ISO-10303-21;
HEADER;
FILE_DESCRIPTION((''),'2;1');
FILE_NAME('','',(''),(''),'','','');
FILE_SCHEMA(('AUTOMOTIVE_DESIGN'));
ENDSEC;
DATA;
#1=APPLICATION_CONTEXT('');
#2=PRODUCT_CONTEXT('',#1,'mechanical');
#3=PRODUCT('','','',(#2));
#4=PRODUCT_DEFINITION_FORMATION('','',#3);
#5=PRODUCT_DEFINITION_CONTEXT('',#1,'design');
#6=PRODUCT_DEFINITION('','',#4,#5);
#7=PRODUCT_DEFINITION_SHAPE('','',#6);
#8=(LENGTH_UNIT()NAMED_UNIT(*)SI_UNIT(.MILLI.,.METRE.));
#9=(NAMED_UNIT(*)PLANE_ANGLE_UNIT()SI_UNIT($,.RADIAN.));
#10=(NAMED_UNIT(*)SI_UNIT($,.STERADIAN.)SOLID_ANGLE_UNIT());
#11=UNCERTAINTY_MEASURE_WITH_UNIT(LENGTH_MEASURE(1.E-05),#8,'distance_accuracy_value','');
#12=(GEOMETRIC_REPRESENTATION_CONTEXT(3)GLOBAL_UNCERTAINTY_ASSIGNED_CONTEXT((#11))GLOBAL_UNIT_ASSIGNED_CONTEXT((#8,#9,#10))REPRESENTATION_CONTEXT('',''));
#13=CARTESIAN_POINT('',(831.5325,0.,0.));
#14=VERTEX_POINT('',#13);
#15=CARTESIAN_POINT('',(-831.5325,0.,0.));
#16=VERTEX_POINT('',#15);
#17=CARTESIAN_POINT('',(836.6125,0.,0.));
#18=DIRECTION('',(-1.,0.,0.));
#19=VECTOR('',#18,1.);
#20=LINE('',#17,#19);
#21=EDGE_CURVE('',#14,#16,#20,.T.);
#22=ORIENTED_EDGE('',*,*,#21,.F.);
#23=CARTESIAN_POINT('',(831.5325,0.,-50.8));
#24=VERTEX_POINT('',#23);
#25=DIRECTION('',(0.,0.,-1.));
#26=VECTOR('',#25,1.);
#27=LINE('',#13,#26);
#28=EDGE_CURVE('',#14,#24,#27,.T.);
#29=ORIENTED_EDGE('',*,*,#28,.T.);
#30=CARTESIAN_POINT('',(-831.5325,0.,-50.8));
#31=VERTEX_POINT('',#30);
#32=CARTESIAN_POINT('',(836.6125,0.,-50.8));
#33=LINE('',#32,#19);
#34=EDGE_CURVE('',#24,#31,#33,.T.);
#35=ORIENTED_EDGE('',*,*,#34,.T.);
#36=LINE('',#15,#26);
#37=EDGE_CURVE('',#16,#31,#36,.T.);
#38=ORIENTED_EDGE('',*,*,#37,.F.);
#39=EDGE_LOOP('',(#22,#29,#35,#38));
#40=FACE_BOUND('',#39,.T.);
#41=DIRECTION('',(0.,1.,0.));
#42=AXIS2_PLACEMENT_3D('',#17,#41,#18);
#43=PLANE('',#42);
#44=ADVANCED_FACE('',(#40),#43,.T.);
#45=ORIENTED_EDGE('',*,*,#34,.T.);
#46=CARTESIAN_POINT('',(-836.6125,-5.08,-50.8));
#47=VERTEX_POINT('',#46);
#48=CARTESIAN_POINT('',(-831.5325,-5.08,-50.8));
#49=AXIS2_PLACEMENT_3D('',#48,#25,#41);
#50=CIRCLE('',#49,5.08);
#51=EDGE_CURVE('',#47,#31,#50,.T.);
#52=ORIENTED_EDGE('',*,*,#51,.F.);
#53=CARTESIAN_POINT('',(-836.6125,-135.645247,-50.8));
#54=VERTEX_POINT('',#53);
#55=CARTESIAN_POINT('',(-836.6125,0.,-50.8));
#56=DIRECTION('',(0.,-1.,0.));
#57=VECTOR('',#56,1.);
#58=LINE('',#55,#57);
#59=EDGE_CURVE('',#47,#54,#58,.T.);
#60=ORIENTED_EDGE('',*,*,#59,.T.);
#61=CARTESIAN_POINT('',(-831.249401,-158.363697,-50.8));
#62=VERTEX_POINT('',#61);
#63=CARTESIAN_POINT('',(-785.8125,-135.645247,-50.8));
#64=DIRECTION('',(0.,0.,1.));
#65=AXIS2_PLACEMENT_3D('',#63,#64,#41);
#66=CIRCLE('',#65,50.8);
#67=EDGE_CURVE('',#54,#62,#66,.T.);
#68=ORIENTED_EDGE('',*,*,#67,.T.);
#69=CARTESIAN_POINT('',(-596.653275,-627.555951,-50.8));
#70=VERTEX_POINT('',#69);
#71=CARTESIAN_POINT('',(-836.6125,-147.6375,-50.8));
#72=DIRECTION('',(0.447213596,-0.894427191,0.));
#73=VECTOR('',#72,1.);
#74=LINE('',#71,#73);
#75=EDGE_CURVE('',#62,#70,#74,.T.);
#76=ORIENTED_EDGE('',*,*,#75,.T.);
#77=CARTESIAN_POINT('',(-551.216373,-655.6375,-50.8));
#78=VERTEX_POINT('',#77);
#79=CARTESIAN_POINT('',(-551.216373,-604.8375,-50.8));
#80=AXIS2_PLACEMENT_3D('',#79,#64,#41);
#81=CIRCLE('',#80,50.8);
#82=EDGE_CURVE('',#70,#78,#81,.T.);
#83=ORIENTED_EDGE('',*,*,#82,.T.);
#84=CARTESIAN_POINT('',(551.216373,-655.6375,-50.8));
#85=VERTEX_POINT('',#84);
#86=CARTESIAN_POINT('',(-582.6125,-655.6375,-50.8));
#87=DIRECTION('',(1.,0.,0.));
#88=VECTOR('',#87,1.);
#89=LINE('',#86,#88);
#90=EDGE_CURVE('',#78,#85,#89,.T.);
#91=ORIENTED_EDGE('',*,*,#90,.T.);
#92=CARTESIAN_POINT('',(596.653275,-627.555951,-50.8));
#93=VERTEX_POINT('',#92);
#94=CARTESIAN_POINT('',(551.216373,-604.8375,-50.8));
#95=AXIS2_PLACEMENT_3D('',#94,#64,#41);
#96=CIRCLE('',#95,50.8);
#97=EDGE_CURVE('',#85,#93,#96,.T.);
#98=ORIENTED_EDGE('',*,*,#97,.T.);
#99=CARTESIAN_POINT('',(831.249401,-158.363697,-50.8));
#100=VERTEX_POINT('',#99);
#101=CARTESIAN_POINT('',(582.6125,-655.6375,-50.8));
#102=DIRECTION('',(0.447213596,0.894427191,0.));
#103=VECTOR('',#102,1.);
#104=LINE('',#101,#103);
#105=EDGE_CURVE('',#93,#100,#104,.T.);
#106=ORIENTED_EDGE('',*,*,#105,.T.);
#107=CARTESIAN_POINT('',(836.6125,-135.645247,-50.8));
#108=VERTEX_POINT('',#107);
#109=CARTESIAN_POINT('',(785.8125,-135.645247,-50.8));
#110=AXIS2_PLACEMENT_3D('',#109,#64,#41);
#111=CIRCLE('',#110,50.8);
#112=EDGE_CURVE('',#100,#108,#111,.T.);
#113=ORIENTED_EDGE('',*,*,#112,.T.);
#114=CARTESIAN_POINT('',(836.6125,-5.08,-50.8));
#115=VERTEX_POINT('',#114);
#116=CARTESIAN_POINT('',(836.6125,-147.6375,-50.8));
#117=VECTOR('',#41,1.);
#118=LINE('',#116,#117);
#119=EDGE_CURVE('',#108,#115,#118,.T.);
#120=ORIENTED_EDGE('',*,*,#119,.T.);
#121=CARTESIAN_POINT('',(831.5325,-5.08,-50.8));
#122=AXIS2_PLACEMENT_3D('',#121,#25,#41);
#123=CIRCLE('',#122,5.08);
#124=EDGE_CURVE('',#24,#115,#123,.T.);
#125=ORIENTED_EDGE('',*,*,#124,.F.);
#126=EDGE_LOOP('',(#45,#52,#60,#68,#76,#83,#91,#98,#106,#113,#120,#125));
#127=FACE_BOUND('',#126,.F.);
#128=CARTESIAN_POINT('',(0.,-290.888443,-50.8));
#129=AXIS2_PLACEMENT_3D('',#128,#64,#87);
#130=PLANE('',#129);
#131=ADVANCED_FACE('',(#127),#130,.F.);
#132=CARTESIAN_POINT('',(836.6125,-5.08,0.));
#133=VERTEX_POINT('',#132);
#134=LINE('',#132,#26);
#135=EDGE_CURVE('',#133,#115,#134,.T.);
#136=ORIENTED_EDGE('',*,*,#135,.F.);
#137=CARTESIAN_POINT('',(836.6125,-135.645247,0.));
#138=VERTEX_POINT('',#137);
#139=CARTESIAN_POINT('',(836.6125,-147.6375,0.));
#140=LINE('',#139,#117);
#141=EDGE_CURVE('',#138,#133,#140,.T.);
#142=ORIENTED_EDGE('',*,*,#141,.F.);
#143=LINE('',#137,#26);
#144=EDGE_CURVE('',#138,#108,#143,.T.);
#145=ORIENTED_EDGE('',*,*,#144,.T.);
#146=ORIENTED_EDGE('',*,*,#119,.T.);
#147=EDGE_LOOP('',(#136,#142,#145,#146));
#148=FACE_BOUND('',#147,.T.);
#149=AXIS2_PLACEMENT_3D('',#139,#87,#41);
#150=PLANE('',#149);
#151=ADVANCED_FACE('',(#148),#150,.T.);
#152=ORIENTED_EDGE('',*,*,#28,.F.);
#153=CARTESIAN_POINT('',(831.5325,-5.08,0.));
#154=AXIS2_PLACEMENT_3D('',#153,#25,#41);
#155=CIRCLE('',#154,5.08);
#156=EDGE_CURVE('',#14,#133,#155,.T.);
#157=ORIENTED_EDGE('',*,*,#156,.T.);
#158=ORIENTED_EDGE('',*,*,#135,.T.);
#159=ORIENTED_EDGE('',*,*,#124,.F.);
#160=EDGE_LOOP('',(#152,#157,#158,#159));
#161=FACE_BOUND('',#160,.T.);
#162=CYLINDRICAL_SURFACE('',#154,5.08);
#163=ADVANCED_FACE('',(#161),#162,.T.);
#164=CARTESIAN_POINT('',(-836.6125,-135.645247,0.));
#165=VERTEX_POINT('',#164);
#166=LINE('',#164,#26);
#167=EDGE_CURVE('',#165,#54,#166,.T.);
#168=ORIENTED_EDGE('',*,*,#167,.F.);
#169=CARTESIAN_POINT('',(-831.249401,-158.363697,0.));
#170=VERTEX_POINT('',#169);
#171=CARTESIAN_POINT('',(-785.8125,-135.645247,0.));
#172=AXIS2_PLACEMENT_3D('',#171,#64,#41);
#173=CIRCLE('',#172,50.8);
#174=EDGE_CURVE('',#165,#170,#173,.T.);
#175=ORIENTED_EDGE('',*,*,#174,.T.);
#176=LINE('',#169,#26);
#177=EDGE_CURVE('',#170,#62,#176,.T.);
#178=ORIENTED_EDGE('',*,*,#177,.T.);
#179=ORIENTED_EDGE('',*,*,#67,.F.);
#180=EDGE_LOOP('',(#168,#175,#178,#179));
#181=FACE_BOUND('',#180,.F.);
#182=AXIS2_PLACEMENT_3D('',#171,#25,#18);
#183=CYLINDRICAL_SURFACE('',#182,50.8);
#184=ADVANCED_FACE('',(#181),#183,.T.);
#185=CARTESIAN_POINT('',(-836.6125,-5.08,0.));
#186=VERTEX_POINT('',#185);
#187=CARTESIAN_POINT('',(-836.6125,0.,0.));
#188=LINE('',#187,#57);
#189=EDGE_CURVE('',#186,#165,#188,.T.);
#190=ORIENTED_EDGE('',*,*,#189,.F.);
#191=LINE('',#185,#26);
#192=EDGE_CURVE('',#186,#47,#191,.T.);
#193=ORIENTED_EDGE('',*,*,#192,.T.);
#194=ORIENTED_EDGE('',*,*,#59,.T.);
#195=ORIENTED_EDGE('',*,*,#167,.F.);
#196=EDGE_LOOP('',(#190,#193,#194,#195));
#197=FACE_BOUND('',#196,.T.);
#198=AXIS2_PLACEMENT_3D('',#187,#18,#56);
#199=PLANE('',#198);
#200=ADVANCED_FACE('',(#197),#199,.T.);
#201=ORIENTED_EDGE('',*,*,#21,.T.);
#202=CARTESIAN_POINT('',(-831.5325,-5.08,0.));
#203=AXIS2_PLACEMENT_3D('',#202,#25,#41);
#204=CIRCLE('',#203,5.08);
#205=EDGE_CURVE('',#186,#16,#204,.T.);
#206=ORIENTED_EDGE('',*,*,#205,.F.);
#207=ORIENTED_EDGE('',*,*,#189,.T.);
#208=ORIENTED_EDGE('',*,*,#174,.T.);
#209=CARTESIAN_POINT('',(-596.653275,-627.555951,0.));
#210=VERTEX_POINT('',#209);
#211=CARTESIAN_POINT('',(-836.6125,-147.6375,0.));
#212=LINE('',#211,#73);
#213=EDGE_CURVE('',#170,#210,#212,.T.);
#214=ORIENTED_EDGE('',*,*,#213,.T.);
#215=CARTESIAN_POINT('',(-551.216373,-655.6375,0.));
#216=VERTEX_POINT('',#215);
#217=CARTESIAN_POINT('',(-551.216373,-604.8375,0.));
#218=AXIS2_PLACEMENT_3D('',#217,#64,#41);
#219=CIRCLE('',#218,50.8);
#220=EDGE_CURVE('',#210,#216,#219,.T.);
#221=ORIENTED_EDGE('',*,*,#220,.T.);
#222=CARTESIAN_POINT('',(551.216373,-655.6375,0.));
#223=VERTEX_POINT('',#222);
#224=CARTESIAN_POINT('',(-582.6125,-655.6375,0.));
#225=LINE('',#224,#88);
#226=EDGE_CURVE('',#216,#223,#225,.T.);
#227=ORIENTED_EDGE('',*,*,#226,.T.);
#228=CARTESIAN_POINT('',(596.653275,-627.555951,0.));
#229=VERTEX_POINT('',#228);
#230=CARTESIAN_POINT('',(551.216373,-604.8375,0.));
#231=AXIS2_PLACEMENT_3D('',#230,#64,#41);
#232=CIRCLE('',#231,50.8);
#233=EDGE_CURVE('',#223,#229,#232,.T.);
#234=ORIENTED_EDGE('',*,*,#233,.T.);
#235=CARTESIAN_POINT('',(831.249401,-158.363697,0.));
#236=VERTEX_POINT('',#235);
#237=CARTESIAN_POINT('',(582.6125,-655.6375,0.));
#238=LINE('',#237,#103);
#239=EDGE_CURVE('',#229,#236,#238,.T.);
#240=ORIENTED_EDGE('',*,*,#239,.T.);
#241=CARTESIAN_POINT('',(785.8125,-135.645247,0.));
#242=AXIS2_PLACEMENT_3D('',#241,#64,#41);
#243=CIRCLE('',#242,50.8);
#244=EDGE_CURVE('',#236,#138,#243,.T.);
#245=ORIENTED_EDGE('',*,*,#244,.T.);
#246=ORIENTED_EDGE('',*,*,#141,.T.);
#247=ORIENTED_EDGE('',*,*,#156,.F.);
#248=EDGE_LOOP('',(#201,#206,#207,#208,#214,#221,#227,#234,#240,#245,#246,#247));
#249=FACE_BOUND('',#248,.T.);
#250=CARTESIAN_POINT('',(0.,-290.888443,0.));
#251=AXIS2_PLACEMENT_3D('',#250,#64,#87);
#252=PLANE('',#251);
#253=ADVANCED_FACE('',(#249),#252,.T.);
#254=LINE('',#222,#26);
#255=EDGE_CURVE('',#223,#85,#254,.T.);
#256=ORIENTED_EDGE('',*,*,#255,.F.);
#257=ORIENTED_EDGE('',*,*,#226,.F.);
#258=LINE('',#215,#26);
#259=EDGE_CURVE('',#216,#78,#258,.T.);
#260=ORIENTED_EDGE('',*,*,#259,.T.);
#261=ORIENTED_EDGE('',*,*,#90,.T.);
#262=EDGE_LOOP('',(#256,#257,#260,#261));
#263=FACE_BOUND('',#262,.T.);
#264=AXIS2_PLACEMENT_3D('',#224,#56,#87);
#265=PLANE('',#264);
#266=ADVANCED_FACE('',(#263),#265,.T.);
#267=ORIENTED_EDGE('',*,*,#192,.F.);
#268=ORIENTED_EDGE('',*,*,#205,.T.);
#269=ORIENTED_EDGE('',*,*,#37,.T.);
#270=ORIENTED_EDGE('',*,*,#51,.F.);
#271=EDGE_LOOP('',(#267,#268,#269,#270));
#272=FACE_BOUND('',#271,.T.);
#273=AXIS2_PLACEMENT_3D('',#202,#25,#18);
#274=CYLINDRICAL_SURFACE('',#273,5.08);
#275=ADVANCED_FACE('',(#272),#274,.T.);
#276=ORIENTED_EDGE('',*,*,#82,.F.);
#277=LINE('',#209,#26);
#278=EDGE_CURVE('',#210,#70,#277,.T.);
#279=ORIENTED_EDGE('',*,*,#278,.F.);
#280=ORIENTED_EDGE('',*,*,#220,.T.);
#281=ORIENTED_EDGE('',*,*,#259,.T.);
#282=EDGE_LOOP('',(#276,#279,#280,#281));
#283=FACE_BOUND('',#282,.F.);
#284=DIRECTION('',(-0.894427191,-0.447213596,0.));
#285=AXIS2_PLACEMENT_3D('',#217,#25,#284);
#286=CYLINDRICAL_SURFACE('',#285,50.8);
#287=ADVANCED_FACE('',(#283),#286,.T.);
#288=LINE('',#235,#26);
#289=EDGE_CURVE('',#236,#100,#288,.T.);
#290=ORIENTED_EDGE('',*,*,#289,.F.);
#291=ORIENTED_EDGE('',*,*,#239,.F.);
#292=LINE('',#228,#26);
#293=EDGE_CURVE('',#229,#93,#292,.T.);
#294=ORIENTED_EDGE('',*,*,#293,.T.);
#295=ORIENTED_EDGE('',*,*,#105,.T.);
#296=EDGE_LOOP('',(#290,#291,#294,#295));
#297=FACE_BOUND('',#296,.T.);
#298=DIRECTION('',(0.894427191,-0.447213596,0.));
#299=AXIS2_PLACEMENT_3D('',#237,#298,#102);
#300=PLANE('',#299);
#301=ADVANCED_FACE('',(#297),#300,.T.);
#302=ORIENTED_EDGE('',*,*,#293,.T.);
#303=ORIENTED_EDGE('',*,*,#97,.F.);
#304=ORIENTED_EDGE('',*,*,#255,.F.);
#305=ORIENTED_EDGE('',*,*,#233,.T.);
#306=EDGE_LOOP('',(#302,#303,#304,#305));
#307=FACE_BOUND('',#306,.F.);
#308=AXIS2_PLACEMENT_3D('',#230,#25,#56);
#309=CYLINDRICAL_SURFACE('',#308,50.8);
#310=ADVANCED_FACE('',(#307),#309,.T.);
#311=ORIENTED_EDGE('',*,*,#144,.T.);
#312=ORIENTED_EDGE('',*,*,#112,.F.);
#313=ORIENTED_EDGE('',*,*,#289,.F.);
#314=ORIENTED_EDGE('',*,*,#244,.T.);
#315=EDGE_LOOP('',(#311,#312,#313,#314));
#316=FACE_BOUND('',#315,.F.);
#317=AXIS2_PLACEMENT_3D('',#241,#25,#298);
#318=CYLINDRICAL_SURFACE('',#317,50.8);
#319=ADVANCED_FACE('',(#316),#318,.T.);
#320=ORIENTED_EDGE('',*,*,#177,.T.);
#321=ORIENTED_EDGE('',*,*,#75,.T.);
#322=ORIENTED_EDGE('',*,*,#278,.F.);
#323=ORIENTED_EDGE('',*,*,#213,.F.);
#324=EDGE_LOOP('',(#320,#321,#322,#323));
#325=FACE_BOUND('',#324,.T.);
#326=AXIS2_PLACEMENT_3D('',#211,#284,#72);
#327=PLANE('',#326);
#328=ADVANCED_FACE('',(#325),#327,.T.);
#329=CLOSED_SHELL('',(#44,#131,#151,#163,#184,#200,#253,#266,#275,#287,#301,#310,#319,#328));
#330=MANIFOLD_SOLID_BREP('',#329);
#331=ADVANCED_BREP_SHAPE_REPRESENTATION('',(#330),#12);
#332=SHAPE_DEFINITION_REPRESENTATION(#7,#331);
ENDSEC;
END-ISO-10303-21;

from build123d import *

# Parameters (mm, degrees)
F1_DEPTH = 50.8
F2_R     = 50.8
F3_R     = 5.08


with BuildPart() as f1:
    # F0 (on Top) → F1 (new body)
    with BuildSketch(Plane.XY):
        Polygon((836.6125, 0), (-836.6125, 0), (-836.6125, -147.6375), (-582.6125, -655.6375), (582.6125, -655.6375), (836.6125, -147.6375), align=None)
    extrude(amount=-F1_DEPTH)

    # F2
    f2_edges = [f1.edges().sort_by_distance(p)[0] for p in [
        (-836.6125, -147.6375, -25.4),
        (-582.6125, -655.6375, -25.4),
        (582.6125, -655.6375, -25.4),
        (836.6125, -147.6375, -25.4),
    ]]
    fillet(f2_edges, radius=F2_R)

    # F3
    f3_edges = [f1.edges().sort_by_distance(p)[0] for p in [
        (836.6125, 0, -25.4),
        (-836.6125, 0, -25.4),
    ]]
    fillet(f3_edges, radius=F3_R)


solid = f1.part
